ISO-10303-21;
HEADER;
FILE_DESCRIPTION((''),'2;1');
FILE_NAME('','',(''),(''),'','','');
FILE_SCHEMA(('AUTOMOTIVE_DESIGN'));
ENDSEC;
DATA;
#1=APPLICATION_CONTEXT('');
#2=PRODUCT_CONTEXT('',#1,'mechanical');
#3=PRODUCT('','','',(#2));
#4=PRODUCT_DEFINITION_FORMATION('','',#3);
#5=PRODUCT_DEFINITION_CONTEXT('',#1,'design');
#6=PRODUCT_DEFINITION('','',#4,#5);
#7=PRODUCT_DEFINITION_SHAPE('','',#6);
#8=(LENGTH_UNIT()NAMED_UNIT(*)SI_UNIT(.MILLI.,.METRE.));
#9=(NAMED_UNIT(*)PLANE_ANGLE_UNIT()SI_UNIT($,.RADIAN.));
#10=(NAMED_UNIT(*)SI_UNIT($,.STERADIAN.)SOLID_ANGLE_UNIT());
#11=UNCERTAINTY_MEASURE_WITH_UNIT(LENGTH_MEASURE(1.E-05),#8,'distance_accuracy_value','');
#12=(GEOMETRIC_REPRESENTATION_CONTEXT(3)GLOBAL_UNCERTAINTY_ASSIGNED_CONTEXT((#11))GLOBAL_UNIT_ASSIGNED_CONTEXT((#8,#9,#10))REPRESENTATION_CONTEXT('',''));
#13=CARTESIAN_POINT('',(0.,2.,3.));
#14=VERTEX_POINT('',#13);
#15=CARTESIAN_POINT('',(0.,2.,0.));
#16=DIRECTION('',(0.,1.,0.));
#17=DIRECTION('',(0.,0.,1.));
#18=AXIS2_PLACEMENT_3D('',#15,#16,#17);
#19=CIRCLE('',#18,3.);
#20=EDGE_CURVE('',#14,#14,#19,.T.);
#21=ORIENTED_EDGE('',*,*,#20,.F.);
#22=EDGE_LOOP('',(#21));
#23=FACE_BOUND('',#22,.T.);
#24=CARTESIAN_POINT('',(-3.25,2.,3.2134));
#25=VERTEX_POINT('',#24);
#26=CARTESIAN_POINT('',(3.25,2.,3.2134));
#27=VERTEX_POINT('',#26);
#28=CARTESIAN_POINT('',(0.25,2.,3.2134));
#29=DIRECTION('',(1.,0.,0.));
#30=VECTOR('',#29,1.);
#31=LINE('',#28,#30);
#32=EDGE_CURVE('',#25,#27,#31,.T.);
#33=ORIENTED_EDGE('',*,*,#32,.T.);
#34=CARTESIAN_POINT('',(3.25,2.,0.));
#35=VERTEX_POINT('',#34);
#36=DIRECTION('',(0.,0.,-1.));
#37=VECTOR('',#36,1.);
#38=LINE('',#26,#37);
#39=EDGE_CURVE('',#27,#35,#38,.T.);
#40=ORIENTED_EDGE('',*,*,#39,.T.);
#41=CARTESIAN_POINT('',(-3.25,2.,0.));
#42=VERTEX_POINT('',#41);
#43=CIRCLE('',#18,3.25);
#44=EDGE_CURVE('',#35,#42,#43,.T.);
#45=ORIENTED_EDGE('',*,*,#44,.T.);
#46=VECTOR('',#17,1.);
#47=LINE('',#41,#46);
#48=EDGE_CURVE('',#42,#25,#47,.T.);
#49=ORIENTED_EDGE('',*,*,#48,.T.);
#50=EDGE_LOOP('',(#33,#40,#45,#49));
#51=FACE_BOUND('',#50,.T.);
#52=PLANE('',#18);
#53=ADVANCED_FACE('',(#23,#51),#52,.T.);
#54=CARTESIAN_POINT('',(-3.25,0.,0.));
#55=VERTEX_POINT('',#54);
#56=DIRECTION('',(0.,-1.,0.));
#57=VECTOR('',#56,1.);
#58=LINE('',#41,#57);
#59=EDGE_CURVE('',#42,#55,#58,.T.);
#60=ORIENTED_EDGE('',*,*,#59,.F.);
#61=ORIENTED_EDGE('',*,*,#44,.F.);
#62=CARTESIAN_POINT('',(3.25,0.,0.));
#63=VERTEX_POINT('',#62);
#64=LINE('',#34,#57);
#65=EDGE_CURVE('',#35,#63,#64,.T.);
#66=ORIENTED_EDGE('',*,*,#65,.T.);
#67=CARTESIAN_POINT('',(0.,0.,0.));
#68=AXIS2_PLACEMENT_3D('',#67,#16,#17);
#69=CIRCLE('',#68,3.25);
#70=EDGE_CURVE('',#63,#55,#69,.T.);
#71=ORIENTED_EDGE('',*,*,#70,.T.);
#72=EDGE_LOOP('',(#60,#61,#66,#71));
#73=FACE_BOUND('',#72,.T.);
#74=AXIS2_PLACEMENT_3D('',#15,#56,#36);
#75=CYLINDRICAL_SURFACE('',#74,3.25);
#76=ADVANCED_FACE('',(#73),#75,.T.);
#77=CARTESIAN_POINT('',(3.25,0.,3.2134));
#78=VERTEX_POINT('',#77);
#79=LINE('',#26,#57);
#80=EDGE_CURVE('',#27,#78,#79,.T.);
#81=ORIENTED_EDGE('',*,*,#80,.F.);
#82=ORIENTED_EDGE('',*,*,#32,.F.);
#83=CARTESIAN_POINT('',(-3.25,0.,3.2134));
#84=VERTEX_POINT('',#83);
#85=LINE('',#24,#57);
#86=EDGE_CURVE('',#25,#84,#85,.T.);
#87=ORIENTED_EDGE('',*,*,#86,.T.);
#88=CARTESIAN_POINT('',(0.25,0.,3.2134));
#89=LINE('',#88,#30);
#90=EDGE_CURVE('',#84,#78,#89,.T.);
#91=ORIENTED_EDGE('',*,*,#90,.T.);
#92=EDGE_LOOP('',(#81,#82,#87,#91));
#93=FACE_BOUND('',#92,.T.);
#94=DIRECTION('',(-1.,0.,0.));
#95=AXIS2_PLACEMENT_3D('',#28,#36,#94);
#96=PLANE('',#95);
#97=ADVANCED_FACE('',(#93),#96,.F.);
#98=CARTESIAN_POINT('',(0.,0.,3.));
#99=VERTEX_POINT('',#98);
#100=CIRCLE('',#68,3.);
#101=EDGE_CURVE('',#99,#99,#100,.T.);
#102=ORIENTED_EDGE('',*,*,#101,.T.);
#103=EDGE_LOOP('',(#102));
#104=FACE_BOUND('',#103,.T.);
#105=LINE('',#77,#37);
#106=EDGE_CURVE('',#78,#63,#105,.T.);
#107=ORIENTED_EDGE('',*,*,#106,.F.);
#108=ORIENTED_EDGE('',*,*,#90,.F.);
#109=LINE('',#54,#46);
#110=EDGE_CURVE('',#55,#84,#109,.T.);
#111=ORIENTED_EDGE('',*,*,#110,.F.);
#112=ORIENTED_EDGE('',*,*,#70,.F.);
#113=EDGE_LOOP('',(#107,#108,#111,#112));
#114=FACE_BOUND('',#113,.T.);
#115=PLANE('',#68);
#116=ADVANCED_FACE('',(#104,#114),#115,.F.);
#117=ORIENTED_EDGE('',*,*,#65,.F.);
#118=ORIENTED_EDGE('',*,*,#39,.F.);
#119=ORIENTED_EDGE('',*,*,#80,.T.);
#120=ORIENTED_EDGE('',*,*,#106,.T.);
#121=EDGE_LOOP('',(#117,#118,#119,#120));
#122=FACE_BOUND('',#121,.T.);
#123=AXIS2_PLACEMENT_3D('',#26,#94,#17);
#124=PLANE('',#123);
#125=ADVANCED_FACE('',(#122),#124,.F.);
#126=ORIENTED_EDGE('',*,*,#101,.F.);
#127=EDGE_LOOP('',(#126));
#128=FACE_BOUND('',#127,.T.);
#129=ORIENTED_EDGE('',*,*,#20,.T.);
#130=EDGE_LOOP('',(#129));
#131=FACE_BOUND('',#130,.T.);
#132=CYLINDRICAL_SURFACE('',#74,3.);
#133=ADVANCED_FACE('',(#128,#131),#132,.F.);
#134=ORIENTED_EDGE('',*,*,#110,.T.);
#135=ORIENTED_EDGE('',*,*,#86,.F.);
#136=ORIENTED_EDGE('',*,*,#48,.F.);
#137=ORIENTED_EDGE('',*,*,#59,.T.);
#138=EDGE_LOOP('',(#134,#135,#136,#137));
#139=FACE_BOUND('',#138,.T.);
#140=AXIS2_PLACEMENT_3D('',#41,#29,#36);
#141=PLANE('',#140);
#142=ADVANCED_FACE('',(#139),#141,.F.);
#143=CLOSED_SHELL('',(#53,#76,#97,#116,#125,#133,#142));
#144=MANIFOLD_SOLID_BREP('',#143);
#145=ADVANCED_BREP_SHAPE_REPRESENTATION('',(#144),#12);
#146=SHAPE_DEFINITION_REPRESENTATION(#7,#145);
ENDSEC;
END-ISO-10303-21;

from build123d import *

# Parameters (mm, degrees)
SKETCH1_R           = 3
BOSS_EXTRUDE1_DEPTH = 2


with BuildPart() as part:
    # Sketch1 → Boss-Extrude1 (new body)
    with BuildSketch(Plane(origin=(0, 0, 0), x_dir=(1, 0, 0), z_dir=(0, 1, 0))):
        with BuildLine():
            Line((-3.25, 0), (-3.25, -3.213400023))
            Line((-3.25, -3.213400023), (0.25, -3.213400023))
            Line((0.25, -3.213400023), (3.25, -3.213400023))
            Line((3.25, -3.213400023), (3.25, 0))
            ThreePointArc((3.25, 0), (0, 3.25), (-3.25, 0))
        make_face()
        with Locations(Location((0, 0, 0), (0, 0, 270))):
            Circle(SKETCH1_R, mode=Mode.SUBTRACT)
    extrude(amount=BOSS_EXTRUDE1_DEPTH)


solid = part.part
